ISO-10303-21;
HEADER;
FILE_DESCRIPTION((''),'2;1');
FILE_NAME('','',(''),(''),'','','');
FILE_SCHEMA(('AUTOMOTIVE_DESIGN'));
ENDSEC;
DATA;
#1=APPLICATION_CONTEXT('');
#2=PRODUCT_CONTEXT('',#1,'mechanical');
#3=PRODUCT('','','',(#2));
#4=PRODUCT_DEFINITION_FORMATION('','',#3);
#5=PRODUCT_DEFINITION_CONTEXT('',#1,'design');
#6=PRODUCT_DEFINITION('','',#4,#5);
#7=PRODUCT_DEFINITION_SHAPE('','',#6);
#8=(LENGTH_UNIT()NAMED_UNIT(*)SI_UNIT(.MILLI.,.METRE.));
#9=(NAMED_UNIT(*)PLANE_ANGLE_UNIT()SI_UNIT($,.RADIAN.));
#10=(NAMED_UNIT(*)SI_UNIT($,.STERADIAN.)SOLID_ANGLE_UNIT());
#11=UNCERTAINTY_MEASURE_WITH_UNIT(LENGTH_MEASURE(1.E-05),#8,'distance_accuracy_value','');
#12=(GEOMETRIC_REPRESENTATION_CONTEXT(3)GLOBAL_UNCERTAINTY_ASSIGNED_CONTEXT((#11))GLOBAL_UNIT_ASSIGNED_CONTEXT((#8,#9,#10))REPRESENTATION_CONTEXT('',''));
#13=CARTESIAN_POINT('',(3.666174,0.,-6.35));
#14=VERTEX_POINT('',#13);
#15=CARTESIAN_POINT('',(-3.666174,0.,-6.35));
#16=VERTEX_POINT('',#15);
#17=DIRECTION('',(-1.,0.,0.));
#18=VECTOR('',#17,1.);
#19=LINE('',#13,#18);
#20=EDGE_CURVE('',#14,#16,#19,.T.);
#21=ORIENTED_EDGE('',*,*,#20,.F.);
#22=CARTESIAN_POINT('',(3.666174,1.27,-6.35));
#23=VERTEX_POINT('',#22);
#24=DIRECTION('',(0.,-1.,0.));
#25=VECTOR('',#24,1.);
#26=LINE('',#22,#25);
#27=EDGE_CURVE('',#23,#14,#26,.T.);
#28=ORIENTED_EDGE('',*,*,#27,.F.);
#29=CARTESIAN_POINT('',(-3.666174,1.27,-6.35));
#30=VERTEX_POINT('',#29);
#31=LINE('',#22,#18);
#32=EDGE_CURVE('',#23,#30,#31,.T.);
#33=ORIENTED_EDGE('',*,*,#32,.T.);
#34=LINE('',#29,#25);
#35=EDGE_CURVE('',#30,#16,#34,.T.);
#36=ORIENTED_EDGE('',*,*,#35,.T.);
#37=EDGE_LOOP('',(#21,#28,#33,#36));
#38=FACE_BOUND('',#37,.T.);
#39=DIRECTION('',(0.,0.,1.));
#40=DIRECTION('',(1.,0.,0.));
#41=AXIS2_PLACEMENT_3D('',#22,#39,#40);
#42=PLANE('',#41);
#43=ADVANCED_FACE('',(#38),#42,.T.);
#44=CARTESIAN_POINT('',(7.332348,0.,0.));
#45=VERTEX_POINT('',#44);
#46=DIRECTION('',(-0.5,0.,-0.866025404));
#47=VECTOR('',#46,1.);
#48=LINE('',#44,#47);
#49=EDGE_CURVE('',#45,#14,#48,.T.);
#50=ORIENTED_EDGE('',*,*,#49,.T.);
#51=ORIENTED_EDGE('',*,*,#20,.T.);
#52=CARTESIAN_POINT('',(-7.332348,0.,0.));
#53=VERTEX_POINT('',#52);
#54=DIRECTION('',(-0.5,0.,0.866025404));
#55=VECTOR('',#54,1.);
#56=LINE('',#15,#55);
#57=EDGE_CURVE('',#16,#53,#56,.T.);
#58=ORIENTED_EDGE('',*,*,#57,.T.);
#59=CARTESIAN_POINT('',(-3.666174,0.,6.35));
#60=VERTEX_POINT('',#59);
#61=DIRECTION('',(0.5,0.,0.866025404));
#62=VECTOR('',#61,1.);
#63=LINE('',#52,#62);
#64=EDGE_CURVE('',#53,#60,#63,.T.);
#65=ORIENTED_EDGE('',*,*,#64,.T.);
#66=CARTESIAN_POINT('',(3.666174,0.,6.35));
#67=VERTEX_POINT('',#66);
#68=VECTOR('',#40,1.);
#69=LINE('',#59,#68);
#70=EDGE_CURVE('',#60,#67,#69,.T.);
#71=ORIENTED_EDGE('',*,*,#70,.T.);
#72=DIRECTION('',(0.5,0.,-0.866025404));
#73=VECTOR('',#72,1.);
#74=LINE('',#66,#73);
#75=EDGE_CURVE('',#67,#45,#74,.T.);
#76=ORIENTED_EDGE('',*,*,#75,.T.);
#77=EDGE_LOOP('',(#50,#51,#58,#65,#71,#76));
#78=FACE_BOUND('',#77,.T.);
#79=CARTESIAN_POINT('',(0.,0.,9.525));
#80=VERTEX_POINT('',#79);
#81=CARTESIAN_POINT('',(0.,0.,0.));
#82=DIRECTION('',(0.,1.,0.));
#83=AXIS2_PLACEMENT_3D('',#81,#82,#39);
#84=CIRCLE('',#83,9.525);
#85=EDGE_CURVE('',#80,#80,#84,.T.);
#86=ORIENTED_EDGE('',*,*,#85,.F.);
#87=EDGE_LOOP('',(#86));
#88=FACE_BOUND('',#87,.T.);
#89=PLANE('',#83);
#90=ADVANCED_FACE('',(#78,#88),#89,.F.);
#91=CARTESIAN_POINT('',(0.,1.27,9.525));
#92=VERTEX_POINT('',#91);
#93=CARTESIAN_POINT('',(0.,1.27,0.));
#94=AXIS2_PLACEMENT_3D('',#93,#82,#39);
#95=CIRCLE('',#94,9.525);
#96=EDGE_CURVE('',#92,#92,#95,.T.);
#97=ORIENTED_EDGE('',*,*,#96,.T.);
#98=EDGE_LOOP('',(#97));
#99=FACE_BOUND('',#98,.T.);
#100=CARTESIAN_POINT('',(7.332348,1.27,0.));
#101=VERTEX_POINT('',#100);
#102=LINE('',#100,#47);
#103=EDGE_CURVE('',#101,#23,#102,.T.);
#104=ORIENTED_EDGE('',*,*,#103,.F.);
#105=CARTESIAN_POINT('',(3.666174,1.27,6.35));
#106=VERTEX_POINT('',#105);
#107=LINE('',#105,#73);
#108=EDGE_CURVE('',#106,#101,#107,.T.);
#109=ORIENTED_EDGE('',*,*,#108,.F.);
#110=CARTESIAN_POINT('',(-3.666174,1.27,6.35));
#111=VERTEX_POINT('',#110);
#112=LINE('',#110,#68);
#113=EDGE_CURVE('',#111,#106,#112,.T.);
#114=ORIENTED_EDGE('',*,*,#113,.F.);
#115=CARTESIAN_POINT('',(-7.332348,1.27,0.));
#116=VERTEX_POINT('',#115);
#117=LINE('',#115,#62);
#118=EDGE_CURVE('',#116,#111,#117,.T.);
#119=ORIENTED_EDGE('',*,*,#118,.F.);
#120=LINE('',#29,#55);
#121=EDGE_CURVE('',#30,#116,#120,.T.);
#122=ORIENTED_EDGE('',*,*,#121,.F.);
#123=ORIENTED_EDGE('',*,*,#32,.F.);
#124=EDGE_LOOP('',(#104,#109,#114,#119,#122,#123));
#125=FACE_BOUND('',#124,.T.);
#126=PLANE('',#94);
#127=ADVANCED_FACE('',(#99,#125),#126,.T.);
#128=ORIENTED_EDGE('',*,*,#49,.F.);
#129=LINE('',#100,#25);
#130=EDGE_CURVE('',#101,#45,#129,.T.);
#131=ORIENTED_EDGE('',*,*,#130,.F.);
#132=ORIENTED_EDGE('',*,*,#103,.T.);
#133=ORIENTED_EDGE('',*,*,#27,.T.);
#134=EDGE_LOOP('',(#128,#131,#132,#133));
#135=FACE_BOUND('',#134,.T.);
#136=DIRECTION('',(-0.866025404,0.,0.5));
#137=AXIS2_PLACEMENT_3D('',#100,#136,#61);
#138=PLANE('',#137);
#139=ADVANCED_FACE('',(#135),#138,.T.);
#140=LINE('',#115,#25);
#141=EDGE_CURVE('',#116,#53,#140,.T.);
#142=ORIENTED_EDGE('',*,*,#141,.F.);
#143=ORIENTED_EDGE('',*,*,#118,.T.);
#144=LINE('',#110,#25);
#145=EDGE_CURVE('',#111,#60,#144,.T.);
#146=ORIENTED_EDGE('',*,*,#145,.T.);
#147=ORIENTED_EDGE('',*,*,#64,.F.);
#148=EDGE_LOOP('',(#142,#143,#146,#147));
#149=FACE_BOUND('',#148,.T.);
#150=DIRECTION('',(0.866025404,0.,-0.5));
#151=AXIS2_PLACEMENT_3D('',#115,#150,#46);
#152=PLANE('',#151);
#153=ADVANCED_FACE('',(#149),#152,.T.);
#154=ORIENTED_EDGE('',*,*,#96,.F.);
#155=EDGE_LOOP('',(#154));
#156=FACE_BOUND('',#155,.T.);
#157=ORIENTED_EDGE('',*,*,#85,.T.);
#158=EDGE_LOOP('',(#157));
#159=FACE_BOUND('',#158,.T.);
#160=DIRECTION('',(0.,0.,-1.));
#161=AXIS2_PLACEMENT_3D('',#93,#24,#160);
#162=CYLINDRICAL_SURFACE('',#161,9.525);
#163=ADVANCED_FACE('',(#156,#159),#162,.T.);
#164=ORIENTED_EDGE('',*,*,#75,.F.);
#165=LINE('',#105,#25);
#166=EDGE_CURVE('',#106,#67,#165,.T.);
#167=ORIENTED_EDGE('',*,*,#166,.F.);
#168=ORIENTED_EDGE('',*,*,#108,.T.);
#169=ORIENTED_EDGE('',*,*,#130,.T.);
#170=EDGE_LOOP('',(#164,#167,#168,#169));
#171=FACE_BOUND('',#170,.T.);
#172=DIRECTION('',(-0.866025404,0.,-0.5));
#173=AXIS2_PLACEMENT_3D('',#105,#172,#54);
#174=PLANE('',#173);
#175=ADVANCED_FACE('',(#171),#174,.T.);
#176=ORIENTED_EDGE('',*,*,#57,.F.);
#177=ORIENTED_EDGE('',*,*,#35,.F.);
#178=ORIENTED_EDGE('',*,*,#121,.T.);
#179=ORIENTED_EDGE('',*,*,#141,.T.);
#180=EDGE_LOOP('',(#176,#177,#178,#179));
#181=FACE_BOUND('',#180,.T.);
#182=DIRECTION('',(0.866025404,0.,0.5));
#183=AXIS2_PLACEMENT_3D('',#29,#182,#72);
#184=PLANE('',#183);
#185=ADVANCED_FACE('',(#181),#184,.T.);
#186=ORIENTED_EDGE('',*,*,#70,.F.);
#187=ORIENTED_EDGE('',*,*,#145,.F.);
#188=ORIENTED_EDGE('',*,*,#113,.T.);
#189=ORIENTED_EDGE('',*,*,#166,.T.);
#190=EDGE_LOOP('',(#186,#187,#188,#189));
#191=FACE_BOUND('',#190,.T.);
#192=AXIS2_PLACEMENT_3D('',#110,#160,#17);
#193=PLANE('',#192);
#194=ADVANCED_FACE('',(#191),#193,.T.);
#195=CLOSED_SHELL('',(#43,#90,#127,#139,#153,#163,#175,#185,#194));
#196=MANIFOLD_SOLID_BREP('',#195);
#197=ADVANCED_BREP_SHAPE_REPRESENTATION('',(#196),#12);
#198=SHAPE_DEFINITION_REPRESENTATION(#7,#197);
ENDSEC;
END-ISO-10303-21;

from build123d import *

# Parameters (mm, degrees)
SKETCH1_R           = 9.525
BOSS_EXTRUDE1_DEPTH = 1.27


with BuildPart() as part:
    # Sketch1 → Boss-Extrude1 (new body)
    with BuildSketch(Plane(origin=(0, 0, 0), x_dir=(1, 0, 0), z_dir=(0, 1, 0))):
        Circle(SKETCH1_R)
        Polygon((3.666174209, 6.35), (-3.666174209, 6.35), (-7.332348419, 0), (-3.666174209, -6.35), (3.666174209, -6.35), (7.332348419, 0), align=None, mode=Mode.SUBTRACT)
    extrude(amount=BOSS_EXTRUDE1_DEPTH)


solid = part.part
